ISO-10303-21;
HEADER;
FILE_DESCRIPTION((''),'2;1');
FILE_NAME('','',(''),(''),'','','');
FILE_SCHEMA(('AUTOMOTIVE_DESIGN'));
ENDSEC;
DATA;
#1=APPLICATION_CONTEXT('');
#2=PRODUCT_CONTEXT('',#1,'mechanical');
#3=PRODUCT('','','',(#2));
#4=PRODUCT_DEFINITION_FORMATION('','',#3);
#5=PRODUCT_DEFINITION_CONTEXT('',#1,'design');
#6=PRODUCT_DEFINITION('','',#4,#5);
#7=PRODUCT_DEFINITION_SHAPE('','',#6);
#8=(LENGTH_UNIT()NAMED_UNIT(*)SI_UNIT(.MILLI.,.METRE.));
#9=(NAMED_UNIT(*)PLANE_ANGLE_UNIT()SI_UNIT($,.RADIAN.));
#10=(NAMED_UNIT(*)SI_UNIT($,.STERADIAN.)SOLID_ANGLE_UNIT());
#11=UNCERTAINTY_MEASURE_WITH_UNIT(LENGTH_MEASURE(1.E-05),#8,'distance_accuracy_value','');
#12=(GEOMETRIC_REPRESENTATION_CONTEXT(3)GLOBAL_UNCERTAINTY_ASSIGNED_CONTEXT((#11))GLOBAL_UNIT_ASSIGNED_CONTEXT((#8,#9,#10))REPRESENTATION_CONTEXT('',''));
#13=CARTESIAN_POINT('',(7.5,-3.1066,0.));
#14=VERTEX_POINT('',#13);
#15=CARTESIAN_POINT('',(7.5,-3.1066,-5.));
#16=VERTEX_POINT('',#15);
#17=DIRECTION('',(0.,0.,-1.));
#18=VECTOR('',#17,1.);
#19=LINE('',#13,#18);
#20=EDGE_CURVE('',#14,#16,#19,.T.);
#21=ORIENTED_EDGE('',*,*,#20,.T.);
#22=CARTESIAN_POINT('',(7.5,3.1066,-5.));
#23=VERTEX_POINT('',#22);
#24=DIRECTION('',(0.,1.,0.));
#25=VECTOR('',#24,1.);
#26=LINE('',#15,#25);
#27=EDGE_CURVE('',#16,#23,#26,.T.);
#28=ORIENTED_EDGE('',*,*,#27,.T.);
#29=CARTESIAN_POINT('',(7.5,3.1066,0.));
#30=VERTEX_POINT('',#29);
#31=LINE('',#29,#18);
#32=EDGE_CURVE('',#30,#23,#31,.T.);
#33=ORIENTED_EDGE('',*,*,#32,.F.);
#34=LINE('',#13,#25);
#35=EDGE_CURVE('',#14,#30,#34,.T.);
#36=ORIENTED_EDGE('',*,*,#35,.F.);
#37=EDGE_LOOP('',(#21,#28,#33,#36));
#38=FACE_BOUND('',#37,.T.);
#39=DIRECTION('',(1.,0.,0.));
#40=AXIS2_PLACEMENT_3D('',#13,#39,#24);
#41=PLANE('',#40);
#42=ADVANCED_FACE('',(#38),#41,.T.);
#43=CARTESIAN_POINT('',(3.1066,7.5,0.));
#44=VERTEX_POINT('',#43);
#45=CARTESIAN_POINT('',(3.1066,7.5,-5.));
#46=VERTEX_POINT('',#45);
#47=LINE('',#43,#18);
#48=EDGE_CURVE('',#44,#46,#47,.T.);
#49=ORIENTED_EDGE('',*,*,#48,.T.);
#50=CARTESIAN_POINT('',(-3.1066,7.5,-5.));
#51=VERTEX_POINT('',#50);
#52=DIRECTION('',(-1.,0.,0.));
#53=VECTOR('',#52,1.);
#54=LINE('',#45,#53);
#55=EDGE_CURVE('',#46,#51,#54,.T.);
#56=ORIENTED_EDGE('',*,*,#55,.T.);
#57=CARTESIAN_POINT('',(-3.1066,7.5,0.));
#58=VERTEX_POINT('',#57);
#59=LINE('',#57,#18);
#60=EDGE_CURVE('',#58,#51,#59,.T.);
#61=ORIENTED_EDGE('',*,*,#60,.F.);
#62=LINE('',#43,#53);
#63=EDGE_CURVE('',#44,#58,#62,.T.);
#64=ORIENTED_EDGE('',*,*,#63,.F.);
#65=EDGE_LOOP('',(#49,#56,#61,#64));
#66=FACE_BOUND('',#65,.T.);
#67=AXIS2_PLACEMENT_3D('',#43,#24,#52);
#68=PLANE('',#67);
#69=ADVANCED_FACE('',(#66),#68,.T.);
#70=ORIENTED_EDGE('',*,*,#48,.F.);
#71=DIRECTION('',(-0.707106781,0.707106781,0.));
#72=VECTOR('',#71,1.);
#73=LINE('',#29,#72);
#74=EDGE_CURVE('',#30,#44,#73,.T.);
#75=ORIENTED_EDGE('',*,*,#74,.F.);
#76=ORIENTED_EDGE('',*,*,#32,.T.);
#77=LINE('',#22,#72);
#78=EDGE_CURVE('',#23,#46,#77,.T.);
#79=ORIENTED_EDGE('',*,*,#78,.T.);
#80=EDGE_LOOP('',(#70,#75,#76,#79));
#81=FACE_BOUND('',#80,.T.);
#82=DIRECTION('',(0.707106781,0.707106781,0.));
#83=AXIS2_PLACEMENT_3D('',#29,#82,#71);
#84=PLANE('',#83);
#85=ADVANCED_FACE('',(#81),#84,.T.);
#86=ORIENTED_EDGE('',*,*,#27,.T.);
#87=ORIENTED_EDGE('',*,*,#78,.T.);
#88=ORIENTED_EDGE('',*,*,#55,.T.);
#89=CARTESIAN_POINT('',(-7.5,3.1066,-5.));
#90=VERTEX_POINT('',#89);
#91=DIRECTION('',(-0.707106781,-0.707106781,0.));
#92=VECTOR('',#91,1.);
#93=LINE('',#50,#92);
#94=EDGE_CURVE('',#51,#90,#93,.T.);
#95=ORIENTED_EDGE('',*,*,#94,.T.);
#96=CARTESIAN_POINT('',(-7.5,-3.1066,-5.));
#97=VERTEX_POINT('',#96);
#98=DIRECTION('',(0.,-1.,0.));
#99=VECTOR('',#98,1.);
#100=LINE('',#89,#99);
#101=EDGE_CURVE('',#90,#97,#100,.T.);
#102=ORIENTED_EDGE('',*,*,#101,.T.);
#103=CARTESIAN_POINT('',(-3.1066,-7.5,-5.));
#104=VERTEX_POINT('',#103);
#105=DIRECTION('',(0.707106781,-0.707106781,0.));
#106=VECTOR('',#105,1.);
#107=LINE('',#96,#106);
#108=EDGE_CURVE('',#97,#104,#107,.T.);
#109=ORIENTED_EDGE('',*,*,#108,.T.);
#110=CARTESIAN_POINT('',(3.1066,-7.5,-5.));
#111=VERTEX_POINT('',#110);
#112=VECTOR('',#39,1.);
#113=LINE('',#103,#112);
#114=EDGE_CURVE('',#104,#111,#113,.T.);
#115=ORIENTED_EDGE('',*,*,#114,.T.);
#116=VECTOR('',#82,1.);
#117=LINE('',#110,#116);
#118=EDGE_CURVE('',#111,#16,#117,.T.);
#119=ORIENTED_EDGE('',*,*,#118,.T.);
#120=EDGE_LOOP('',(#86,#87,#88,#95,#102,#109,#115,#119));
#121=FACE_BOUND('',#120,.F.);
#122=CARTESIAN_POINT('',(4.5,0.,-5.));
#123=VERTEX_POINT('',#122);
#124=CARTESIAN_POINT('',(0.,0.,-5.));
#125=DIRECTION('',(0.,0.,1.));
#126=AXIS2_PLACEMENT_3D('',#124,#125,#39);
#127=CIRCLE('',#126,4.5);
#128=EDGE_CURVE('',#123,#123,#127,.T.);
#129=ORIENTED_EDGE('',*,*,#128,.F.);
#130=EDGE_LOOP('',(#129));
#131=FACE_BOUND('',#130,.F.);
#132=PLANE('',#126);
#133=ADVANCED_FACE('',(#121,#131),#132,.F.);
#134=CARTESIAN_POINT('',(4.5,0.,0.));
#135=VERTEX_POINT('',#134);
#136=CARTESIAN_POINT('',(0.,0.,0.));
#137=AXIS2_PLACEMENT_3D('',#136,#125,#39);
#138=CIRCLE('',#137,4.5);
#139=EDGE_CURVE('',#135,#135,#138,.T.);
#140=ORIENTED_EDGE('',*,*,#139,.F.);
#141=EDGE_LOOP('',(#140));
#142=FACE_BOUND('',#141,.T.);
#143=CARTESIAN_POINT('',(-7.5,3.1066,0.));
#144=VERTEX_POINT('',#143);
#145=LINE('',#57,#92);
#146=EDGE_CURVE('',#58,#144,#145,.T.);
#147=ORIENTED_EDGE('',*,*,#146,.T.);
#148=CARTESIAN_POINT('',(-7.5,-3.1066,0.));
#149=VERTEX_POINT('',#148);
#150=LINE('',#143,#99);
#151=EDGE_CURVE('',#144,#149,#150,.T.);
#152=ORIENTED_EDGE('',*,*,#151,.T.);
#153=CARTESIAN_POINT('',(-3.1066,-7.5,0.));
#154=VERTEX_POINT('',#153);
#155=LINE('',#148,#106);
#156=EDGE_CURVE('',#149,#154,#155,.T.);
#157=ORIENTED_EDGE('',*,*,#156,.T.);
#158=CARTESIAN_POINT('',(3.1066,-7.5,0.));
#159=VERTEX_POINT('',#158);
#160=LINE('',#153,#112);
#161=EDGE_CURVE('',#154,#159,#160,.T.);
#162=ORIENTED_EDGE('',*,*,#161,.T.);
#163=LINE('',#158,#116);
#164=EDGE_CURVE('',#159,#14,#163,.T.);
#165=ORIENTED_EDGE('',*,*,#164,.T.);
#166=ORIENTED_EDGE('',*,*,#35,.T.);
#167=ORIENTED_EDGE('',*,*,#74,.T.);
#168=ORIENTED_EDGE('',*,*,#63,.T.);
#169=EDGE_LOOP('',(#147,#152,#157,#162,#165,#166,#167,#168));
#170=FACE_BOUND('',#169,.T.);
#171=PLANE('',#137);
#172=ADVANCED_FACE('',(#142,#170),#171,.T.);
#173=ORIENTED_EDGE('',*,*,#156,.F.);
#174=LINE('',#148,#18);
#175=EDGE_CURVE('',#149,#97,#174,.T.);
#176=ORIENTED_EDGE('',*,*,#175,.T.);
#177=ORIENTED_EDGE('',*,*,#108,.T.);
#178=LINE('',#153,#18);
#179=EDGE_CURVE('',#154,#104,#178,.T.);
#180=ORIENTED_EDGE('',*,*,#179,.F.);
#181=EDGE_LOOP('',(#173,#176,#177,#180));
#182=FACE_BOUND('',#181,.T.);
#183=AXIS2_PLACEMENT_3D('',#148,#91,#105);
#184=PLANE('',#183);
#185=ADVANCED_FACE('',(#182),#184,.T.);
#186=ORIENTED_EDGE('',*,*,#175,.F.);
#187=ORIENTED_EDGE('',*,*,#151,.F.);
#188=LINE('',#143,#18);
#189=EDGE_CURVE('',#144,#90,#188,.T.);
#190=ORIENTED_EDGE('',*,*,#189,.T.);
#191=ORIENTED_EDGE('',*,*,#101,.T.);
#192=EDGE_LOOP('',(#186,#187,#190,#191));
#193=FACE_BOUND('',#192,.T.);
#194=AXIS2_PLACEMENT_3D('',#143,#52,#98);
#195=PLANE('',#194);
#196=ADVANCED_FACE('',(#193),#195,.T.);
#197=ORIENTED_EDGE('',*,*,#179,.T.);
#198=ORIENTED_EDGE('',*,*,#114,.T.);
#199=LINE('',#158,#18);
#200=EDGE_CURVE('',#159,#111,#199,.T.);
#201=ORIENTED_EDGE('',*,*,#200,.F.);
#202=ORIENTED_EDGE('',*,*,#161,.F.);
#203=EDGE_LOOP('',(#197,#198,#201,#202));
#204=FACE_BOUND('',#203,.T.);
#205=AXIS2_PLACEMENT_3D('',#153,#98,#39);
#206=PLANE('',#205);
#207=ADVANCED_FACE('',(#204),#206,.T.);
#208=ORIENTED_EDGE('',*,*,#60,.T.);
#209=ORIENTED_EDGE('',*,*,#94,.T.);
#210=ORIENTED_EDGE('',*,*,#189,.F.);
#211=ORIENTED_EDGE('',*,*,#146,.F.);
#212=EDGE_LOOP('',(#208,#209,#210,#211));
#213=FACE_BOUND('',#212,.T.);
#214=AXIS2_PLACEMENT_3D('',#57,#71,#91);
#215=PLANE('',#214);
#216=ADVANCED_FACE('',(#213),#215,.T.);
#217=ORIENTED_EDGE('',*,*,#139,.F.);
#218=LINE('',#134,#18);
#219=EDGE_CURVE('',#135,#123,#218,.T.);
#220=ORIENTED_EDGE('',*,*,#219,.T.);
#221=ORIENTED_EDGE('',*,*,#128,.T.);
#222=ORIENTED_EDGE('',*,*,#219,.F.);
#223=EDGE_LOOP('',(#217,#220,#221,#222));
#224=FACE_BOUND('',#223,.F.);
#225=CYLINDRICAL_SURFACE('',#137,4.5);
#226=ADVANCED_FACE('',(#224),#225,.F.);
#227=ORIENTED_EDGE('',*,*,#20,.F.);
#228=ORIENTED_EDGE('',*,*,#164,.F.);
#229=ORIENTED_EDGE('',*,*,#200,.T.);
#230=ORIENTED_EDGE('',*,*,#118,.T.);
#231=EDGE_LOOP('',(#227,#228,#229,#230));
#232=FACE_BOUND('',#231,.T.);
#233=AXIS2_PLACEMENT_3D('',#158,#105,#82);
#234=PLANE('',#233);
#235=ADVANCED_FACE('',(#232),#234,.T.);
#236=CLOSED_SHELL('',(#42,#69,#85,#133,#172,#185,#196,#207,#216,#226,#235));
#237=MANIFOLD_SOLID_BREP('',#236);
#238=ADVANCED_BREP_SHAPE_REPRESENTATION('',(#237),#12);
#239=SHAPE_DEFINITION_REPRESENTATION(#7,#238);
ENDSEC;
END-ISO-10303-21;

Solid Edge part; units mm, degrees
sketch "Sketch1" plane through (0, 0, 0) normal (0, 0, 1) x (1, 0, 0)
  circle A0 centre (0, 0) radius 4.5
  line L0 (-3.1066, 7.5) -> (-7.5, 3.1066)
  line L1 (-7.5, 3.1066) -> (-7.5, -3.1066)
  line L2 (-7.5, -3.1066) -> (-3.1066, -7.5)
  line L3 (-3.1066, -7.5) -> (3.1066, -7.5)
  line L4 (3.1066, -7.5) -> (7.5, -3.1066)
  line L5 (7.5, -3.1066) -> (7.5, 3.1066)
  line L6 (7.5, 3.1066) -> (3.1066, 7.5)
  line L7 (3.1066, 7.5) -> (-3.1066, 7.5)
extrude "Protrusion1" add sketch "Sketch1" against normal blind 5
properties material "Steel"
